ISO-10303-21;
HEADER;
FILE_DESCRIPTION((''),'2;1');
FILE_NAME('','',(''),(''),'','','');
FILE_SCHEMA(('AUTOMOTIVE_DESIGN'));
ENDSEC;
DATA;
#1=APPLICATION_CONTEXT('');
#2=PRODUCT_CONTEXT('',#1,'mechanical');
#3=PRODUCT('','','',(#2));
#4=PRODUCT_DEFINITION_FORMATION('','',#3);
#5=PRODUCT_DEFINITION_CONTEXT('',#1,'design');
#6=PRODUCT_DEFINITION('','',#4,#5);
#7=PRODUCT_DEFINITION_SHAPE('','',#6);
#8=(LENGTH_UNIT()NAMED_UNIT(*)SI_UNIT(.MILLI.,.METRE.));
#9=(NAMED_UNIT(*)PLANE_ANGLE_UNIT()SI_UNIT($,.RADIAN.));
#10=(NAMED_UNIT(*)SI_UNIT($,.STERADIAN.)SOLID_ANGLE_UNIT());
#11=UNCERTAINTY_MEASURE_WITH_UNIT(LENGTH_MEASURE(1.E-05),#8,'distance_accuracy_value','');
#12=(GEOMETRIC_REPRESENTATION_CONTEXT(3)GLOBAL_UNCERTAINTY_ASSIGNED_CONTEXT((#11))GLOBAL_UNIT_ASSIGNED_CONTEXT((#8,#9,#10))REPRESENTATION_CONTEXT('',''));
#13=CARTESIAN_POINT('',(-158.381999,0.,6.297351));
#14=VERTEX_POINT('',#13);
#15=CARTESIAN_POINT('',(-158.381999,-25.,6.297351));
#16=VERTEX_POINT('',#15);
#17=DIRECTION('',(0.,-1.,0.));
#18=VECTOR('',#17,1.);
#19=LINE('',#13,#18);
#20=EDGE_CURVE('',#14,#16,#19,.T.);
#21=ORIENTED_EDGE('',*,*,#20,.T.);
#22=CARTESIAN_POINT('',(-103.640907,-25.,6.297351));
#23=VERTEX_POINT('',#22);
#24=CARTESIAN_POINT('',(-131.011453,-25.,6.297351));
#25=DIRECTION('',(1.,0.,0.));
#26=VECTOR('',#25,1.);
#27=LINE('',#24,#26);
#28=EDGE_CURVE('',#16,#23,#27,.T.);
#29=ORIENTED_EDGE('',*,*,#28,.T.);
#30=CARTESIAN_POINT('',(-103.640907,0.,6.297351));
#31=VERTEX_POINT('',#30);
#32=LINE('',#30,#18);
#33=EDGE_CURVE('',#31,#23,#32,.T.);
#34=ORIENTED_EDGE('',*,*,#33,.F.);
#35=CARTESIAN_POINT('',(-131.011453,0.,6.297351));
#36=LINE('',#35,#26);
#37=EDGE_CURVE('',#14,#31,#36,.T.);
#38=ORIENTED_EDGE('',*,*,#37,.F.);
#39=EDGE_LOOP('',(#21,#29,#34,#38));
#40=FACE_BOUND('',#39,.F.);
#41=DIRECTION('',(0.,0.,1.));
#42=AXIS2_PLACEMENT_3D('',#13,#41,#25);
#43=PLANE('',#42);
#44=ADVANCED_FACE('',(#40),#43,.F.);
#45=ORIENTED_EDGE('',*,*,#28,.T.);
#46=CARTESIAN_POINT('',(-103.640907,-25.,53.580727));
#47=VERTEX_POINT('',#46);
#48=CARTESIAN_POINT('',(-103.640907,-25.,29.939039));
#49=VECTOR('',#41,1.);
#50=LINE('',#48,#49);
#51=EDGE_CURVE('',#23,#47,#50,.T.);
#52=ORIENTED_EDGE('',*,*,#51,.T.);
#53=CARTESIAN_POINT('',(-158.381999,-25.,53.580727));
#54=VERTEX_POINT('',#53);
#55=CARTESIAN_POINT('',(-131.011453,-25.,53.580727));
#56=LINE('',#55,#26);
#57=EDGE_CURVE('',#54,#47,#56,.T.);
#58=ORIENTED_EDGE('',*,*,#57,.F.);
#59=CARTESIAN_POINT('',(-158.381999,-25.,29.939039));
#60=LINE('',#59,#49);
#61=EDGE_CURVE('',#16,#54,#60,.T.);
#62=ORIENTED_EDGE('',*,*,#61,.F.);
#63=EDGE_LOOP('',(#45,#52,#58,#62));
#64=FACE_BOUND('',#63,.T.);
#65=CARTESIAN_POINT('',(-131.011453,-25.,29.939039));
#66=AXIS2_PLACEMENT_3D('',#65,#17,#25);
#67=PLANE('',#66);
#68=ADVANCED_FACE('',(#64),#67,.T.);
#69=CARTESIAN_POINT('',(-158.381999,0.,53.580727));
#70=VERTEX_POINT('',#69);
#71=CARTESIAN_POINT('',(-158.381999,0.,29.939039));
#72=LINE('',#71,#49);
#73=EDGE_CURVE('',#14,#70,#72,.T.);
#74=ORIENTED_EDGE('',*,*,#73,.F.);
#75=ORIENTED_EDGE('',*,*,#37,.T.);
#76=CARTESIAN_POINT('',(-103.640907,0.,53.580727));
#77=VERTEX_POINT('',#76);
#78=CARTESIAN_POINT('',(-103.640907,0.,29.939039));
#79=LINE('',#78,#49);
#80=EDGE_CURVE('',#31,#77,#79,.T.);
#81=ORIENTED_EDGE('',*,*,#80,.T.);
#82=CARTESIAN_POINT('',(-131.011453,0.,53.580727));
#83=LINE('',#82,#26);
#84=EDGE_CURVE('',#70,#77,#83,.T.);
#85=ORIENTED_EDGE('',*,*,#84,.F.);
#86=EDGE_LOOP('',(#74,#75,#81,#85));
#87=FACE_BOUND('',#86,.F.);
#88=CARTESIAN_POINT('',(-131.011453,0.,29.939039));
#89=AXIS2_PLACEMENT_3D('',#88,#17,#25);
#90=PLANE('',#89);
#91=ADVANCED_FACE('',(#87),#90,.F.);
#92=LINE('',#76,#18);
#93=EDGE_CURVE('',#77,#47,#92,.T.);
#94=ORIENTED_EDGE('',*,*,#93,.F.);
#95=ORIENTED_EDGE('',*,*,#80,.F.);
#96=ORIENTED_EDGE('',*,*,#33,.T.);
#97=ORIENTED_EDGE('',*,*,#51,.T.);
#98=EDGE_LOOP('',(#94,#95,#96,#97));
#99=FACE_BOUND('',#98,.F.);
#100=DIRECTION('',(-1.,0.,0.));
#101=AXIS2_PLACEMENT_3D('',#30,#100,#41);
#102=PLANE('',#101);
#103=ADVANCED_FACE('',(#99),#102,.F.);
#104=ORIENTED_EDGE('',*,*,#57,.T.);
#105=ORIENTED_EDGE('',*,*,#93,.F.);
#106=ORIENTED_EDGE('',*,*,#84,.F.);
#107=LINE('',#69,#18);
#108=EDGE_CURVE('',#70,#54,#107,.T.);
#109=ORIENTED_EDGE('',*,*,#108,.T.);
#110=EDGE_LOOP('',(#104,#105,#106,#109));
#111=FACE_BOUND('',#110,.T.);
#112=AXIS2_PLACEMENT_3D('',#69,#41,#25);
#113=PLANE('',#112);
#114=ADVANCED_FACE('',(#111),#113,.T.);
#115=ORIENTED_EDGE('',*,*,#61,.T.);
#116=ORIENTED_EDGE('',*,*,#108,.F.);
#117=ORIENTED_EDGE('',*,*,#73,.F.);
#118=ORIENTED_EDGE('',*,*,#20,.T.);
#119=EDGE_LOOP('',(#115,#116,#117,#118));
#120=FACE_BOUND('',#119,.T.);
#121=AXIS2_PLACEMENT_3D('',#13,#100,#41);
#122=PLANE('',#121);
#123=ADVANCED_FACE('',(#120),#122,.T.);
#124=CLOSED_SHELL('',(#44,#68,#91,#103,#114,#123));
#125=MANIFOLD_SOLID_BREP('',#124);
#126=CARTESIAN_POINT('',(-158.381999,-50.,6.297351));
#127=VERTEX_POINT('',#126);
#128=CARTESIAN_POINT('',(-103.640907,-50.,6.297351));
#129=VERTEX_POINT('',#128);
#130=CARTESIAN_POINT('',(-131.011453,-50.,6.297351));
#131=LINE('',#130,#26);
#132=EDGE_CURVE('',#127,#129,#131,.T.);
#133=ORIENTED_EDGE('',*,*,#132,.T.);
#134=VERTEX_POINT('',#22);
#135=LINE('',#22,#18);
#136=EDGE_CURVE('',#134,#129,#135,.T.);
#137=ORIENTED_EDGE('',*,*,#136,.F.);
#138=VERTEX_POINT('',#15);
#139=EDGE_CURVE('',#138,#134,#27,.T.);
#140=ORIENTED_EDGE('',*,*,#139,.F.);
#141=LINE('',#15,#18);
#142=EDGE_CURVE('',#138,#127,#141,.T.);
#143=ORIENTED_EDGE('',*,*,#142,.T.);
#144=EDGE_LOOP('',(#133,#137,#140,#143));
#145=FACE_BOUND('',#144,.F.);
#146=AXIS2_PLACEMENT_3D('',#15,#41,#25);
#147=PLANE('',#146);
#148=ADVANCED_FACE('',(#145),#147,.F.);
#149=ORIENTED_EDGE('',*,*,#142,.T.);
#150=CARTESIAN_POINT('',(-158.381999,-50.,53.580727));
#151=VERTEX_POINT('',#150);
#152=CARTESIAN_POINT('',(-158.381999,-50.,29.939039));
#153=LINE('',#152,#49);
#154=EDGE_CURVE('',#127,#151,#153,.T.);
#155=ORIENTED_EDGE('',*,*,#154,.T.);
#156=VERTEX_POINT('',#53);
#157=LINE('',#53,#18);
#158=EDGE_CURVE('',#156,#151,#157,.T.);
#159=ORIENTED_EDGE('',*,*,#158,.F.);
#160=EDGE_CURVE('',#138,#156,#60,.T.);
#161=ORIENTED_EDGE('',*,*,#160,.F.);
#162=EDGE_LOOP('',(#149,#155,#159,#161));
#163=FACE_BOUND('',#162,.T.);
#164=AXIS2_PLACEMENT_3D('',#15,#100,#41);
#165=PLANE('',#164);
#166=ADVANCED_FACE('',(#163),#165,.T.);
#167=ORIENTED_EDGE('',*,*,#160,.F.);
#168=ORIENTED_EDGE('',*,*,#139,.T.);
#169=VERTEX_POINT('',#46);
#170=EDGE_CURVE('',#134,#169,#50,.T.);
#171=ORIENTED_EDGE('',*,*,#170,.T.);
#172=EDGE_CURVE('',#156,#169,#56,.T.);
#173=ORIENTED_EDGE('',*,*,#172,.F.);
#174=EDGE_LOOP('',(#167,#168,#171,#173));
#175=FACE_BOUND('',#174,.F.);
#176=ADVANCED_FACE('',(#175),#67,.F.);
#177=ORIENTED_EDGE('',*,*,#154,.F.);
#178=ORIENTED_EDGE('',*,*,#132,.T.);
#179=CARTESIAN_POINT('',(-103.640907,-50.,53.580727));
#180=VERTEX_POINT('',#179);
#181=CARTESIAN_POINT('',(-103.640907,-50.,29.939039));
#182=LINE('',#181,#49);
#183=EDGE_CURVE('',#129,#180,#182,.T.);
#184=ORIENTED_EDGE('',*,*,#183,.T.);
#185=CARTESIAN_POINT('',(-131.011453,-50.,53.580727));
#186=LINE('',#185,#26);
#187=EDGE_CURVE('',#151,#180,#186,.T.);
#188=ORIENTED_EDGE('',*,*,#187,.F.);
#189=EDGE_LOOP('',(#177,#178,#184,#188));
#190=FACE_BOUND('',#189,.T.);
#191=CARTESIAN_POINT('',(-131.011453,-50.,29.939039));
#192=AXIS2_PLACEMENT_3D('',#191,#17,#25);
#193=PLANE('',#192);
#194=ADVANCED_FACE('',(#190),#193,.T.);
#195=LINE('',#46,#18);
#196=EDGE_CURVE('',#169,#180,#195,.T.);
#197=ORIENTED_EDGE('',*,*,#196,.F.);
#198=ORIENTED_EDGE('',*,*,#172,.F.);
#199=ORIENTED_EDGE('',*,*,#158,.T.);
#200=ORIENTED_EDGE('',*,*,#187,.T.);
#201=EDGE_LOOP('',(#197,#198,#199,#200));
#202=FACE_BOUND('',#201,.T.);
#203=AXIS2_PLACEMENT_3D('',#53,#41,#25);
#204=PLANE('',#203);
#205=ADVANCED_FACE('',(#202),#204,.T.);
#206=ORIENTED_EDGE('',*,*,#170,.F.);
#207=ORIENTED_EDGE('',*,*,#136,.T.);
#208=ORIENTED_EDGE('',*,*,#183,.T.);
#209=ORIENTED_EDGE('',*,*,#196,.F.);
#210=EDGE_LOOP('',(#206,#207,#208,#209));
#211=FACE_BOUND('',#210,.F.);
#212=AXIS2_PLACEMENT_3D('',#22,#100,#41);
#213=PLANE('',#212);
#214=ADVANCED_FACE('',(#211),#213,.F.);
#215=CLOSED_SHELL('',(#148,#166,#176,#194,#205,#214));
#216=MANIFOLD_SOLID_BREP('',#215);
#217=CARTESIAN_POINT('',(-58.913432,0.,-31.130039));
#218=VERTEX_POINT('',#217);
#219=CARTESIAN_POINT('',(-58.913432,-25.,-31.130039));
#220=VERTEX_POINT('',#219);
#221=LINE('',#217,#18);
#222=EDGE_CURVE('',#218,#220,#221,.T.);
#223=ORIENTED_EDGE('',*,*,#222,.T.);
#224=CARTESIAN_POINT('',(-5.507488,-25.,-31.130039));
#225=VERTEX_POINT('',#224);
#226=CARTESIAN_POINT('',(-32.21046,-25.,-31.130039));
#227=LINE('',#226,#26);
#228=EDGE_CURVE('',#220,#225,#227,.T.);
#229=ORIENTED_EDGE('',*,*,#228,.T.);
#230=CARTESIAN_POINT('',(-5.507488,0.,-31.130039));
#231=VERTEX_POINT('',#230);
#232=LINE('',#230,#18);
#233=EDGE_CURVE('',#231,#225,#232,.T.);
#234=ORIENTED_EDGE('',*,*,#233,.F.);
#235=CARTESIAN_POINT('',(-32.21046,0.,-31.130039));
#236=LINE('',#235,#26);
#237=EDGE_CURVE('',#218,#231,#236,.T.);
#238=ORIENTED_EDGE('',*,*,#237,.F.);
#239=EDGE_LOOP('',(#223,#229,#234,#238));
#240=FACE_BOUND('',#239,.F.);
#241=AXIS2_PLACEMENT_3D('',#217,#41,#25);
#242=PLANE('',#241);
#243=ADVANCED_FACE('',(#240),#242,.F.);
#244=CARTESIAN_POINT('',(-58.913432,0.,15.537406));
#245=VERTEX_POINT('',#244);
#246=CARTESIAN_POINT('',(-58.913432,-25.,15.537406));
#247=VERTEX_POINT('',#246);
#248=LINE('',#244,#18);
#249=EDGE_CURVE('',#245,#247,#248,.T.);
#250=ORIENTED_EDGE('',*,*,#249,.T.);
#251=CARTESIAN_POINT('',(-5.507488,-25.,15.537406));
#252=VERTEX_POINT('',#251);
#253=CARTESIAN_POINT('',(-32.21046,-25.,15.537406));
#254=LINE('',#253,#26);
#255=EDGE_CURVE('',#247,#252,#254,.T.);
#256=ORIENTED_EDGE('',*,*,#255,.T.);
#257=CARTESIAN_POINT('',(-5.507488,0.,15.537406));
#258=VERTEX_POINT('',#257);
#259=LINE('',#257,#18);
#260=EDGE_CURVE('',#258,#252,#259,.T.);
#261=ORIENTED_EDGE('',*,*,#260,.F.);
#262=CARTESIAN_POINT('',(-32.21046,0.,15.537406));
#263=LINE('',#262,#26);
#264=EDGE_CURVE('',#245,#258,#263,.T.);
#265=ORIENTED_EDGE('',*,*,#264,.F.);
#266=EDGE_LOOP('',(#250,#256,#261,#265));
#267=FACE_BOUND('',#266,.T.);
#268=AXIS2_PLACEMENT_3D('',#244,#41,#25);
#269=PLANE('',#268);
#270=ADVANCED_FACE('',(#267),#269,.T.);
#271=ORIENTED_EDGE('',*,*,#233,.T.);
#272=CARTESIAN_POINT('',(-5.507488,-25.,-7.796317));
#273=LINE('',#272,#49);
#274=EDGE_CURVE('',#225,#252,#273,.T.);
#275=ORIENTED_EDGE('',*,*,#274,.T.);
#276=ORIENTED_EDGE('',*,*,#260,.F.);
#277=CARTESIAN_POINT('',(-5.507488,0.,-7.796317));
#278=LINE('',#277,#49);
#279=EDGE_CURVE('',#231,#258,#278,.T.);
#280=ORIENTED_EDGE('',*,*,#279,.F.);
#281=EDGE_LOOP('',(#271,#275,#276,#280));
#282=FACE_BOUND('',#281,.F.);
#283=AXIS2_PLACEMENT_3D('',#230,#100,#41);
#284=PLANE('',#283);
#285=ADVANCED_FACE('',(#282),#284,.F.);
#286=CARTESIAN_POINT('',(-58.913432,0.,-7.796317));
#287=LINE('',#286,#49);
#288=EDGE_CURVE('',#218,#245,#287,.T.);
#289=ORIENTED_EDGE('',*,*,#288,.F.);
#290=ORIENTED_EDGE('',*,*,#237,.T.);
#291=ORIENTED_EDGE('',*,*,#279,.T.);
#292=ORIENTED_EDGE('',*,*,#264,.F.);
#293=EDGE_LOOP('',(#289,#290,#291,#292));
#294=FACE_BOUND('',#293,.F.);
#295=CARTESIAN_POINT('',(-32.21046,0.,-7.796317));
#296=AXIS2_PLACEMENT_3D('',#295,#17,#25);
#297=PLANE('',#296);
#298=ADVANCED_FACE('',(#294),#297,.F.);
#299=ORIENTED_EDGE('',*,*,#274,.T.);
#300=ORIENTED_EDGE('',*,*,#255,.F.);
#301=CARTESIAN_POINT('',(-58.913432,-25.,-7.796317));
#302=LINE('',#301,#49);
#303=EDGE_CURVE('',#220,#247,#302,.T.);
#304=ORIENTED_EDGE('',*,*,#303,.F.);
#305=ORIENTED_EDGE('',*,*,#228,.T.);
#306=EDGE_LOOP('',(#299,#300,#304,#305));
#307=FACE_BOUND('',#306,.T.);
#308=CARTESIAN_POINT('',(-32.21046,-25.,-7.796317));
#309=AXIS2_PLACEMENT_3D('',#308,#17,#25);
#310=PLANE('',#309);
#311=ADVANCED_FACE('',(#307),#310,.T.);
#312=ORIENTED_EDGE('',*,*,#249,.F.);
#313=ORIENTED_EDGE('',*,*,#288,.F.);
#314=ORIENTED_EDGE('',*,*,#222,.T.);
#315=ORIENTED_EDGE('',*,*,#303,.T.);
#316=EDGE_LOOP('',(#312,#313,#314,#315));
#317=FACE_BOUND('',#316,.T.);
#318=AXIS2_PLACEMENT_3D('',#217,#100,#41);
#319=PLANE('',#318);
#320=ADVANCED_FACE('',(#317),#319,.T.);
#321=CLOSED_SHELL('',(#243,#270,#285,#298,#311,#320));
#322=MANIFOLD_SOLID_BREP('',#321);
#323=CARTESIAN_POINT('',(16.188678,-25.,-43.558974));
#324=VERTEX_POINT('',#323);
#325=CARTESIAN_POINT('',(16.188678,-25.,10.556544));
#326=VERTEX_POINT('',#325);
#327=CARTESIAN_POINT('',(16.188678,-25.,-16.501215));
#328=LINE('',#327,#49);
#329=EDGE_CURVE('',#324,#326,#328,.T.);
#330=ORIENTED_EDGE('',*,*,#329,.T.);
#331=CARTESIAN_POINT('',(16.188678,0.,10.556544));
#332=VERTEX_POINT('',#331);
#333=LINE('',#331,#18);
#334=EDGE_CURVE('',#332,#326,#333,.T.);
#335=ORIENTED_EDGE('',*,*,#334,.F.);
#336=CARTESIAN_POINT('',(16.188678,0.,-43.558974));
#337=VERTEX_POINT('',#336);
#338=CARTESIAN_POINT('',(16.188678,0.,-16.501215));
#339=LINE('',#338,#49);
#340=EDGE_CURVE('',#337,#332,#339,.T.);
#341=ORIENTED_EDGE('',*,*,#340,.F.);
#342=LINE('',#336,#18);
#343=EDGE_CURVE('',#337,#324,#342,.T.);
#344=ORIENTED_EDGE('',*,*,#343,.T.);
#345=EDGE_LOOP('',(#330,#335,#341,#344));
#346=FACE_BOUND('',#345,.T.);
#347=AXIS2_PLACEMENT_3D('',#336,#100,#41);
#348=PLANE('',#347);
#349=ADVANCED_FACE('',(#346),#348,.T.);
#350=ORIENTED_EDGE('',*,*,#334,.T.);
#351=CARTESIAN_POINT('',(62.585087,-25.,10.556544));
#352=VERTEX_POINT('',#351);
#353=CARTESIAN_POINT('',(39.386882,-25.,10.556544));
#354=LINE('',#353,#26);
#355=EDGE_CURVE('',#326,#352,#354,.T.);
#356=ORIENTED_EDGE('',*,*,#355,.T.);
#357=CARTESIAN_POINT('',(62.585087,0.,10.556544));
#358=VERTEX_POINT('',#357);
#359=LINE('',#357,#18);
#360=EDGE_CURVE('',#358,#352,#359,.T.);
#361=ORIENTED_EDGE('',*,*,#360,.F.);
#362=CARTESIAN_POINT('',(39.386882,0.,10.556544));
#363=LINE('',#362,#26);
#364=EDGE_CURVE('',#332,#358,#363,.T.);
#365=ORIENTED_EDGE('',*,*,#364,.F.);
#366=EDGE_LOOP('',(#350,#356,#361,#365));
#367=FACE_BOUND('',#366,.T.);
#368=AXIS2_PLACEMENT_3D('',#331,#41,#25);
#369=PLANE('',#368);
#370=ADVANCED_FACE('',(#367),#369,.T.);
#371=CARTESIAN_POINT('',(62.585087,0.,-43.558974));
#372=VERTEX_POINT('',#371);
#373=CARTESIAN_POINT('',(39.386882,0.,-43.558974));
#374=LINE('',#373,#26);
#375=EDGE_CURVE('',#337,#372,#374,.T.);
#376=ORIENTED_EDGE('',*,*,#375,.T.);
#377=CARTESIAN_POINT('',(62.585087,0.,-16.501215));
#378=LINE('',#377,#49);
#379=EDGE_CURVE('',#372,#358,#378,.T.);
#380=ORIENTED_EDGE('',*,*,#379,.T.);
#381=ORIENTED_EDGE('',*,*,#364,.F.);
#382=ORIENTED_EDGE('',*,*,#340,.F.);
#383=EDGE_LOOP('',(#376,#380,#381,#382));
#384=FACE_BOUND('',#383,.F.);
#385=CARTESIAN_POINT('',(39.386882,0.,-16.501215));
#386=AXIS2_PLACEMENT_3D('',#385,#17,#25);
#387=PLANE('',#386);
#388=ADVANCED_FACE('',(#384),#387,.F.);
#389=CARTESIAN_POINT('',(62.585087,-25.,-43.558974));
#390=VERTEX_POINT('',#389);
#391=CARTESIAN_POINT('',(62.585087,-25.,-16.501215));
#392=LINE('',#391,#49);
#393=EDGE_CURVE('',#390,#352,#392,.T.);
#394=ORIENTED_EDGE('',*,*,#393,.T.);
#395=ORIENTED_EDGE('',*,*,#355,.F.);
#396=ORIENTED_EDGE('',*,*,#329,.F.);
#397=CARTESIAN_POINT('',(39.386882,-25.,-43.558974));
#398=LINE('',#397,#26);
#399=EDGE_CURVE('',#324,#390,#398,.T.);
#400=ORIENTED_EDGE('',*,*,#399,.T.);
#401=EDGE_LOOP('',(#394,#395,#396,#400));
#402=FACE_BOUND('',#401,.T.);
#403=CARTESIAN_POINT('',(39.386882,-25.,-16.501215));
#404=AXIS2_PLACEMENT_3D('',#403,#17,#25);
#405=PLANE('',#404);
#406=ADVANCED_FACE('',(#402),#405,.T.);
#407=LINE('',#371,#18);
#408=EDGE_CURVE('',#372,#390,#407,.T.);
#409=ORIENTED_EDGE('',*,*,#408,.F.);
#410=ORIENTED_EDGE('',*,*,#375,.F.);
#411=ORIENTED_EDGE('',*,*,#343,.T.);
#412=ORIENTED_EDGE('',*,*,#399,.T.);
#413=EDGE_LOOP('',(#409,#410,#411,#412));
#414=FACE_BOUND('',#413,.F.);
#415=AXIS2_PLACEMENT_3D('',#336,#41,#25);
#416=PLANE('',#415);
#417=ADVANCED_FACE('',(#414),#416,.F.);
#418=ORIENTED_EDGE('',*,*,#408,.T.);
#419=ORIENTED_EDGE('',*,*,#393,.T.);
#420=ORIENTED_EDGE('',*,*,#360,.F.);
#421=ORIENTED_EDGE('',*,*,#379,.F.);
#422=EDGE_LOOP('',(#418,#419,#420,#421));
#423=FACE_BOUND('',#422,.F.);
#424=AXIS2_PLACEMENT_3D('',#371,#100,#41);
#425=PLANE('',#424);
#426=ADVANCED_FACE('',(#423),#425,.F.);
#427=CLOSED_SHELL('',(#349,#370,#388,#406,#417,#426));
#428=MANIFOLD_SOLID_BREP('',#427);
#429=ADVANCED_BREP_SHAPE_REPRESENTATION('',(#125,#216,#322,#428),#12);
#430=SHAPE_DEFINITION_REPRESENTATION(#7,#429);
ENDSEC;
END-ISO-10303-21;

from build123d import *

# Parameters (mm, degrees)
F0_W      = 54.741092
F0_H      = 47.283376
F0_W_2    = 53.405944
F0_H_2    = 46.667445
F0_W_3    = 46.396409
F0_H_3    = 54.115518
F1_DEPTH  = 25
F1_FACE_W = 54.741092
F1_FACE_H = 47.283376
F2_DEPTH  = 25


with BuildPart() as f1:
    # F0 (on Front) → F1 (new body)
    with BuildSketch(Plane.XZ):
        with Locations((-131.011453, 29.939039)):
            Rectangle(F0_W, F0_H)
        with Locations((-32.21046, -7.796317)):
            Rectangle(F0_W_2, F0_H_2)
        with Locations((39.386882, -16.501215)):
            Rectangle(F0_W_3, F0_H_3)
    extrude(amount=F1_DEPTH)


with BuildPart() as f2:
    # F1_face (on face) → F2 (new body)
    with BuildSketch(Plane(origin=(-131.011453, -25, 29.939039), x_dir=(1, 0, 0), z_dir=(0, -1, 0))):
        Rectangle(F1_FACE_W, F1_FACE_H)
    extrude(amount=F2_DEPTH)


solid = Compound([f1.part, f2.part])
